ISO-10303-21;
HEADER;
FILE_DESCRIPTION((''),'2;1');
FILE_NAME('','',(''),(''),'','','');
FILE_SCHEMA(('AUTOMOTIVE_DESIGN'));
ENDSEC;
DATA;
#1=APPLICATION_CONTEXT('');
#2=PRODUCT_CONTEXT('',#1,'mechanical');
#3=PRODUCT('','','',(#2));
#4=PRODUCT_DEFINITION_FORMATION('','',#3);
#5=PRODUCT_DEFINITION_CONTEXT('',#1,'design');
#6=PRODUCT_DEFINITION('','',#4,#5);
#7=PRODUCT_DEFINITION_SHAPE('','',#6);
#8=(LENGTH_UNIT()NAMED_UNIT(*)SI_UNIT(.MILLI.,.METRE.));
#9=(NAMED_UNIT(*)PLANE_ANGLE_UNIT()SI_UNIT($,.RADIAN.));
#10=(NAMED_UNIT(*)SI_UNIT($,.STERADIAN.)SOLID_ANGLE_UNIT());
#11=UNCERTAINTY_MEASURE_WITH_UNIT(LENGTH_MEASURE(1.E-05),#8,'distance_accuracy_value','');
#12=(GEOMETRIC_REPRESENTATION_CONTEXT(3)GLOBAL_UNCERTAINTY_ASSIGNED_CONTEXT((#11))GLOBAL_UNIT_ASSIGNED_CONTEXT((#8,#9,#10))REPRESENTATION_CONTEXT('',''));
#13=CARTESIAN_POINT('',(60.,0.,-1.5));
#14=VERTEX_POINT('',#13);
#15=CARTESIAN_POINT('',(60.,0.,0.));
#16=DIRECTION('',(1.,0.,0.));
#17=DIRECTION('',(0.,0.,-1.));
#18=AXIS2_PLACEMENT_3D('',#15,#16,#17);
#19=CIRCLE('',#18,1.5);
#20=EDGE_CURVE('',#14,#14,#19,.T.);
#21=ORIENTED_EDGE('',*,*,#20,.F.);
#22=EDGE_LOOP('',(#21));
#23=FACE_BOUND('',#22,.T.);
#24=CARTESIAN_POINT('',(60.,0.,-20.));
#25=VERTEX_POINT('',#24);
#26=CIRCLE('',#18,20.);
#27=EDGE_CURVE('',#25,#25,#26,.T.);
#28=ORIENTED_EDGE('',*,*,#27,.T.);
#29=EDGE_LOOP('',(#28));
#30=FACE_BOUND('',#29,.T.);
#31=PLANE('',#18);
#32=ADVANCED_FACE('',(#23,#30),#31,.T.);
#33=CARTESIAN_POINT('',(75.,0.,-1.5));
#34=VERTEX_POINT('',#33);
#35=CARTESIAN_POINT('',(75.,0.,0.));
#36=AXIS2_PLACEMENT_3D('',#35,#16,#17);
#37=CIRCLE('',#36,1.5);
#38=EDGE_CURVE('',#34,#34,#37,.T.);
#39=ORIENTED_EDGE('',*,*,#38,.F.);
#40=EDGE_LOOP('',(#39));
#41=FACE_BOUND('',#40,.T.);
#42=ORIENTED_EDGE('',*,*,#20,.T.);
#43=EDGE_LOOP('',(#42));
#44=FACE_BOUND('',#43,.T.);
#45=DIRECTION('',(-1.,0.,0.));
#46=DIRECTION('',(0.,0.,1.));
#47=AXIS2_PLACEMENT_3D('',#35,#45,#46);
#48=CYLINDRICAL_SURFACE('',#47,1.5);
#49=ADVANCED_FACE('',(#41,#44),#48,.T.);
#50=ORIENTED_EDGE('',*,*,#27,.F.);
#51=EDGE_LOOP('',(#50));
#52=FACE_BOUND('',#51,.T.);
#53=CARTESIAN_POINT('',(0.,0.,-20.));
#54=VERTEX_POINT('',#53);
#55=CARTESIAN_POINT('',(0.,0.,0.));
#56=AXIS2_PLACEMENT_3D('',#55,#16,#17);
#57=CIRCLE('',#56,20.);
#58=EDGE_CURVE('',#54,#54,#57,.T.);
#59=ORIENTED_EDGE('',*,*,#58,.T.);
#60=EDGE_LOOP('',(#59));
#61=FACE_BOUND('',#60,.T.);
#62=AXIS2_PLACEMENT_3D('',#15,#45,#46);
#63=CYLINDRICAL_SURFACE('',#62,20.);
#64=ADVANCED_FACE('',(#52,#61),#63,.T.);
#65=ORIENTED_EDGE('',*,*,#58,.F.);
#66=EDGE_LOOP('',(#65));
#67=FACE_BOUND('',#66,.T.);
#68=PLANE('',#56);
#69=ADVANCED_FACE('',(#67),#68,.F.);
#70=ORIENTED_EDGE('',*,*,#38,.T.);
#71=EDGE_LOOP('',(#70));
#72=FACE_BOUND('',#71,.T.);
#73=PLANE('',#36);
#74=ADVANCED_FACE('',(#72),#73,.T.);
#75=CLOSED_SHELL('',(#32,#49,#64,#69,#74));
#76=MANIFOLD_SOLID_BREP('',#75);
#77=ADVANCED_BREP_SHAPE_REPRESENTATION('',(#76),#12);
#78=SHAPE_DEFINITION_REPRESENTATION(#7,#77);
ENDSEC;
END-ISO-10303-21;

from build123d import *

# Parameters (mm, degrees)
ESQUISSE2_R        = 20
BOSS_EXTRU_1_DEPTH = 60
ESQUISSE3_R        = 1.5
BOSS_EXTRU_2_DEPTH = 15


with BuildPart() as part:
    # Esquisse2 → Boss.-Extru.1 (new body)
    with BuildSketch(Plane(origin=(0, 0, 0), x_dir=(0, 0, -1), z_dir=(1, 0, 0))):
        Circle(ESQUISSE2_R)
    extrude(amount=BOSS_EXTRU_1_DEPTH)

    # Esquisse3 → Boss.-Extru.2 (add)
    with BuildSketch(Plane(origin=(60, 0, 0), x_dir=(0, 0, -1), z_dir=(1, 0, 0))):
        Circle(ESQUISSE3_R)
    extrude(amount=BOSS_EXTRU_2_DEPTH)


solid = part.part
